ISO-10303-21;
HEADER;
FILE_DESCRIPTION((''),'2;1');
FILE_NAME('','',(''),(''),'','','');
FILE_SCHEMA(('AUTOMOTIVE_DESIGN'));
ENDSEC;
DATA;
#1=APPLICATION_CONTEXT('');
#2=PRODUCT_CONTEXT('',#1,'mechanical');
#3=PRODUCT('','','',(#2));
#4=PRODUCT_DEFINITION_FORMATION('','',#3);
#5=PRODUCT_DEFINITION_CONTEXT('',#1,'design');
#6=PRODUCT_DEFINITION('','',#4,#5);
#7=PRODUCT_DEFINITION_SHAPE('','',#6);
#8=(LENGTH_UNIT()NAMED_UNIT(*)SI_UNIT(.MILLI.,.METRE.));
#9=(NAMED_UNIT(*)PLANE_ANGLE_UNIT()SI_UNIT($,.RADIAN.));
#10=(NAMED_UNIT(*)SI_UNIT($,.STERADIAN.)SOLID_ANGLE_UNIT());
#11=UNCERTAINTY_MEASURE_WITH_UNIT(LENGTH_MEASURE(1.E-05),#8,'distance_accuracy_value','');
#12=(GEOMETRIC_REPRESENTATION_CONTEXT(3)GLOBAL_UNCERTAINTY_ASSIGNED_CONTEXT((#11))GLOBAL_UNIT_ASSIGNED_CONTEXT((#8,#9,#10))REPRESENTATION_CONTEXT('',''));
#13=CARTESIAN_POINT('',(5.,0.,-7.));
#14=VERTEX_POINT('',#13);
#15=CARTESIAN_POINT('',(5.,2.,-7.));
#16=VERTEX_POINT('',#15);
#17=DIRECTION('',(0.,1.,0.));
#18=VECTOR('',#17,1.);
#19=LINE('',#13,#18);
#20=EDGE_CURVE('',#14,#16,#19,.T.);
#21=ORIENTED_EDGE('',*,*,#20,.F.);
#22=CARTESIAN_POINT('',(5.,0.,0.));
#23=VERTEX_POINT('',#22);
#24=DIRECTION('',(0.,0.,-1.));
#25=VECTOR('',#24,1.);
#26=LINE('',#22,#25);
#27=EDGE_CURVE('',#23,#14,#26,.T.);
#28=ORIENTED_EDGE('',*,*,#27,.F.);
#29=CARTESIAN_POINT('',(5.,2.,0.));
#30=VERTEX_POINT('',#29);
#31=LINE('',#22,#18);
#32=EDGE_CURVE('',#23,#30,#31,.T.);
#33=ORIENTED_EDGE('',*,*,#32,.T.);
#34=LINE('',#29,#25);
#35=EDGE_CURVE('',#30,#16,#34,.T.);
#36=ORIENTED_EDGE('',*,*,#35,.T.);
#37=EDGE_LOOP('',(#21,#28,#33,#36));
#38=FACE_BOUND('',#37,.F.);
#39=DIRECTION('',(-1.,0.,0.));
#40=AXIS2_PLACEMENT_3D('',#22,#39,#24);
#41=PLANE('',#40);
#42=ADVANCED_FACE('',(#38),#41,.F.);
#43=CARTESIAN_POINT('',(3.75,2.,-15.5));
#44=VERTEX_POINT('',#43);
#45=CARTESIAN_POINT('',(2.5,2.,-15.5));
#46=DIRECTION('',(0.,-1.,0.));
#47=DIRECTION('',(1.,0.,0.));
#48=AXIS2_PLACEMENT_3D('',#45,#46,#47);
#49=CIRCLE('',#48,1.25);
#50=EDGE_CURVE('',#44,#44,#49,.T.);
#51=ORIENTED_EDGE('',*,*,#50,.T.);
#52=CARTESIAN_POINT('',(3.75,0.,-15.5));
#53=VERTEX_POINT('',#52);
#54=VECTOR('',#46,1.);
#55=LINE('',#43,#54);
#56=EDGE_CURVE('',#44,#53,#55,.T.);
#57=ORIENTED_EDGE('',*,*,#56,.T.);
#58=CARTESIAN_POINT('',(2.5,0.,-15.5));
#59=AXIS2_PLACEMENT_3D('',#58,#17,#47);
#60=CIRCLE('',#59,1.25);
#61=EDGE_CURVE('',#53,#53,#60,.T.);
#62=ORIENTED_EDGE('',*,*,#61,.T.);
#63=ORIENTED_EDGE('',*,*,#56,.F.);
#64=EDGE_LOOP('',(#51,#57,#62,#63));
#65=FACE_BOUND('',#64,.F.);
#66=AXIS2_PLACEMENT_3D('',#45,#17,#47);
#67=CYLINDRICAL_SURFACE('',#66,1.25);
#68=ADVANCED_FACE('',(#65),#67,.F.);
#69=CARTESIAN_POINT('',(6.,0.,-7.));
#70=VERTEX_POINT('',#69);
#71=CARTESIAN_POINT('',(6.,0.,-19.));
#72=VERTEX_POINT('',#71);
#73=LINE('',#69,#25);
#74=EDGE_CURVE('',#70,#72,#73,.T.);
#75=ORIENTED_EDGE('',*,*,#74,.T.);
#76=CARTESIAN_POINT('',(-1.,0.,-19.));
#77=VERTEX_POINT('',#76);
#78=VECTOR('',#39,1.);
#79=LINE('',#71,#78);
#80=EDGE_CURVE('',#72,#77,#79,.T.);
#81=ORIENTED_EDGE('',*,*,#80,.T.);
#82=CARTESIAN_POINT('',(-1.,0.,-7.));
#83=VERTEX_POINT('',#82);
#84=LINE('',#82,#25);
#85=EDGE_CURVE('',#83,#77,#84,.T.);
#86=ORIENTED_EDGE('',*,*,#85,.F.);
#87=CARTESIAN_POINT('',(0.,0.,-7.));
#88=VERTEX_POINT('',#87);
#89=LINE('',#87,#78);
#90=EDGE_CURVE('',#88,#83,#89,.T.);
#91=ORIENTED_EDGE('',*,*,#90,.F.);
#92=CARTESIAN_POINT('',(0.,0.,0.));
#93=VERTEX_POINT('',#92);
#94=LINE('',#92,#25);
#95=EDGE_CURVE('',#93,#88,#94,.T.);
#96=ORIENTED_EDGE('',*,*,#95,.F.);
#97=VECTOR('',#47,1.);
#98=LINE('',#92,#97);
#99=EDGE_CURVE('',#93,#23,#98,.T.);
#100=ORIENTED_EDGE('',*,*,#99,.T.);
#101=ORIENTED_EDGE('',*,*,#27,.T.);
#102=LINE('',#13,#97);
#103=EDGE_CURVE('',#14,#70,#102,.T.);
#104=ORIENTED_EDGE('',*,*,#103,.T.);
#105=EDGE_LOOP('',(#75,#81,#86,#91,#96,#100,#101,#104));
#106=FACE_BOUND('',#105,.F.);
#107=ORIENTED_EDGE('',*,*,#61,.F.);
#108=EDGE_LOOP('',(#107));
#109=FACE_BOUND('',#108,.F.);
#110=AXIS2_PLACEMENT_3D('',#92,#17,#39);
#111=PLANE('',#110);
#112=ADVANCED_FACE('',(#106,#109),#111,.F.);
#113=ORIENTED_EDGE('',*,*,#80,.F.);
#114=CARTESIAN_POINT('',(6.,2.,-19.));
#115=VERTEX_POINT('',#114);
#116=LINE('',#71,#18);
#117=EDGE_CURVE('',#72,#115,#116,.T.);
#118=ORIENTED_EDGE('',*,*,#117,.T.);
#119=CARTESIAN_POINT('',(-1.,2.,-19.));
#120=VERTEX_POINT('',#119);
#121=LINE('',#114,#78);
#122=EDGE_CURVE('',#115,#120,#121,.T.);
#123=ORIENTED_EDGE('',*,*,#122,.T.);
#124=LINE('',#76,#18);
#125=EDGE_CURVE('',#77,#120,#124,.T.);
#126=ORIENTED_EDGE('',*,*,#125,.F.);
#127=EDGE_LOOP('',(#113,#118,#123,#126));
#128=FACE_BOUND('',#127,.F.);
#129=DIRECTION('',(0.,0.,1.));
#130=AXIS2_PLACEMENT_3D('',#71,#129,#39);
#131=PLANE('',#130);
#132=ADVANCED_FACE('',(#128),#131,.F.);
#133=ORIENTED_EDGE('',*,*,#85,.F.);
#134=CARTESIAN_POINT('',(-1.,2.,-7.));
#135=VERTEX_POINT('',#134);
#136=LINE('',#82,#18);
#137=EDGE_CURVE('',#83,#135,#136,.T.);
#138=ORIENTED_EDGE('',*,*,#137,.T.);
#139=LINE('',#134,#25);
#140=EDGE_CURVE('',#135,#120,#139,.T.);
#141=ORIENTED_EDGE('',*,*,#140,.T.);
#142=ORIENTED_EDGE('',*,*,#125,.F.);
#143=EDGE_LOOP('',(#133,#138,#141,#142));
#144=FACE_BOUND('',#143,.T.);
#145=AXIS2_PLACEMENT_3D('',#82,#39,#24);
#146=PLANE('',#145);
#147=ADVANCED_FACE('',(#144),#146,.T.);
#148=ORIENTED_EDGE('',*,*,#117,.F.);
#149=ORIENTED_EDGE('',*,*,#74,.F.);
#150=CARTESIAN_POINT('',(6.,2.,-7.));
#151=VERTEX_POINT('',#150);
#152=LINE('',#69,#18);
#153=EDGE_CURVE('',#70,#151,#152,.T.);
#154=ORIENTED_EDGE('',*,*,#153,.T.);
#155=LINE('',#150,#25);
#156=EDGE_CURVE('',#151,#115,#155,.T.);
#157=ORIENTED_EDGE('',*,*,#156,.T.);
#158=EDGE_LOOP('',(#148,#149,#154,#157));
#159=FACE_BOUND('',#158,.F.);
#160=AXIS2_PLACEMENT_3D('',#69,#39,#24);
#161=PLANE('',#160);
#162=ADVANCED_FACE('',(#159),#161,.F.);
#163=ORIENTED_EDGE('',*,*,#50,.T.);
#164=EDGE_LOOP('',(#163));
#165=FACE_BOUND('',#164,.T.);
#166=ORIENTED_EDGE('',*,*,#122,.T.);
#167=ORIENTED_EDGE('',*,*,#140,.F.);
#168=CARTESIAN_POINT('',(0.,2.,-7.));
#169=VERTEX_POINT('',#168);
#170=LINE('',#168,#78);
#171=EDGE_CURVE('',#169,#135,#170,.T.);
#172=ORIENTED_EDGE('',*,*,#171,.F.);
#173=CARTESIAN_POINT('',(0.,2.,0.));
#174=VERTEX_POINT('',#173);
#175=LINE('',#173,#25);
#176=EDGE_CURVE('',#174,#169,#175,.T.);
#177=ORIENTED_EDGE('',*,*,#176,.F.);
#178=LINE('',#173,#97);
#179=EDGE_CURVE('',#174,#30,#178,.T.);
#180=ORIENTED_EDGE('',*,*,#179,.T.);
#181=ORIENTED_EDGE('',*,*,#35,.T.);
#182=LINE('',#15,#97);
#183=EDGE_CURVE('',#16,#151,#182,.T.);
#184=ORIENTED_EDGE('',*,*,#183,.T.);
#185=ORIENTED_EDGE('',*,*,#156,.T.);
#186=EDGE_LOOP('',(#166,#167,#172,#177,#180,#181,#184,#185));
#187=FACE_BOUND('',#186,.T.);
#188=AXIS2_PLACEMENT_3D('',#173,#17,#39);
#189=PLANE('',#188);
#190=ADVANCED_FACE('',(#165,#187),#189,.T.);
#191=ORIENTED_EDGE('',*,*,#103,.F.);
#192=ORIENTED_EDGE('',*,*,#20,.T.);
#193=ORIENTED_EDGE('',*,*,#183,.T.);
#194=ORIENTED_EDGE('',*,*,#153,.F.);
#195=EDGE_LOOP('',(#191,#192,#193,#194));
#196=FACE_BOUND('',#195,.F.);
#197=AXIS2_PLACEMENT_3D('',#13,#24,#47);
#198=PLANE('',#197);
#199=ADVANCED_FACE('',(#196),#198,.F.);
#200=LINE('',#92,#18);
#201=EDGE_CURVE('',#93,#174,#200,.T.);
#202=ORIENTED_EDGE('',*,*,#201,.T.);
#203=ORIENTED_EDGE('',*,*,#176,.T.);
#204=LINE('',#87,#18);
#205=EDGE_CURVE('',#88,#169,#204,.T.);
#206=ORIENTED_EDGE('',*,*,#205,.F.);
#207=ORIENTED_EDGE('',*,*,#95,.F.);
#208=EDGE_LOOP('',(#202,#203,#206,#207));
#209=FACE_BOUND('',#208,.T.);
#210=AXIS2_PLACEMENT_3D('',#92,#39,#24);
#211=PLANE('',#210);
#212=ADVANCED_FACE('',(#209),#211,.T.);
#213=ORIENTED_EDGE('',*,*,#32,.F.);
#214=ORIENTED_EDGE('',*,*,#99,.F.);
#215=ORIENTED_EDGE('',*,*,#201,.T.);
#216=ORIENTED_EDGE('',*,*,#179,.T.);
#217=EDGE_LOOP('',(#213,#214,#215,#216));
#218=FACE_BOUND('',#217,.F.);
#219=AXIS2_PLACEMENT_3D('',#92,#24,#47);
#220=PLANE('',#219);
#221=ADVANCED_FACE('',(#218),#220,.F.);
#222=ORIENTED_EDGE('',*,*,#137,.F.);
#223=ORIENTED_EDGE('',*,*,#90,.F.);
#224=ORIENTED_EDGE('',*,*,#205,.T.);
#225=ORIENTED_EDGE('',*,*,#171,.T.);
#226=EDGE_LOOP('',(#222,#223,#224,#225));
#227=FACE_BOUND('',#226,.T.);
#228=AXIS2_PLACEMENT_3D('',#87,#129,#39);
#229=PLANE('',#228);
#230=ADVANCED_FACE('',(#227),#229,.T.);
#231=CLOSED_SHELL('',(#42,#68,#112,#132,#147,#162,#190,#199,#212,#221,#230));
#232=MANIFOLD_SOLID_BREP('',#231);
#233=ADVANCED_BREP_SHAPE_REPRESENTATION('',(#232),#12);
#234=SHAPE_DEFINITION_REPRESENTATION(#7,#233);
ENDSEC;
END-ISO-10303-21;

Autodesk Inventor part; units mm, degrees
ref_plane "YZ Plane" through (0, 0, 0) normal (1, 0, 0) x (0, 1, 0)
ref_plane "XZ Plane" through (0, 0, 0) normal (0, 1, 0) x (-1, 0, 0)
ref_plane "XY Plane" through (0, 0, 0) normal (0, 0, 1) x (1, 0, 0)
sketch "Sketch3" plane through (0, 0, 0) normal (0, 1, 0) x (-1, 0, 0)
  line L0 (0, 0) -> (-5, 0)
  line L1 (-5, 0) -> (-5, -7)
  line L2 (0, 0) -> (0, -7)
  line L3 (0, -7) -> (1, -7)
  line L4 (1, -7) -> (1, -19)
  line L5 (-5, -7) -> (-6, -7)
  line L6 (-6, -7) -> (-6, -19)
  line L7 (-6, -19) -> (1, -19)
  dimension "d9" = 5
  dimension "d10" = 7
  dimension "d11" = 1
  dimension "d12" = 12
  dimension "d13" = 1
extrude "Extrusion3" add sketch "Sketch3" along normal blind 2
sketch "Sketch4" plane through (0, 2, 0) normal (0, 1, 0) x (1, 0, 0)
  line L0 (-1, 19) -> (-1, 7) projected
  line L1 (-1, 19) -> (2.5, 19)
  line L2 (6, 19) -> (-1, 19) projected
  line L3 (2.5, 19) -> (2.5, 15.5)
  circle A0 centre (2.5, 15.5) radius 1.25
  point P0 (0, 0)
  dimension "d16" = 3.5
  dimension "d17" = 3.5
  dimension "d18" = 2.5
extrude "Extrusion4" cut sketch "Sketch4" against normal blind 2
properties part number "HINGE c"
